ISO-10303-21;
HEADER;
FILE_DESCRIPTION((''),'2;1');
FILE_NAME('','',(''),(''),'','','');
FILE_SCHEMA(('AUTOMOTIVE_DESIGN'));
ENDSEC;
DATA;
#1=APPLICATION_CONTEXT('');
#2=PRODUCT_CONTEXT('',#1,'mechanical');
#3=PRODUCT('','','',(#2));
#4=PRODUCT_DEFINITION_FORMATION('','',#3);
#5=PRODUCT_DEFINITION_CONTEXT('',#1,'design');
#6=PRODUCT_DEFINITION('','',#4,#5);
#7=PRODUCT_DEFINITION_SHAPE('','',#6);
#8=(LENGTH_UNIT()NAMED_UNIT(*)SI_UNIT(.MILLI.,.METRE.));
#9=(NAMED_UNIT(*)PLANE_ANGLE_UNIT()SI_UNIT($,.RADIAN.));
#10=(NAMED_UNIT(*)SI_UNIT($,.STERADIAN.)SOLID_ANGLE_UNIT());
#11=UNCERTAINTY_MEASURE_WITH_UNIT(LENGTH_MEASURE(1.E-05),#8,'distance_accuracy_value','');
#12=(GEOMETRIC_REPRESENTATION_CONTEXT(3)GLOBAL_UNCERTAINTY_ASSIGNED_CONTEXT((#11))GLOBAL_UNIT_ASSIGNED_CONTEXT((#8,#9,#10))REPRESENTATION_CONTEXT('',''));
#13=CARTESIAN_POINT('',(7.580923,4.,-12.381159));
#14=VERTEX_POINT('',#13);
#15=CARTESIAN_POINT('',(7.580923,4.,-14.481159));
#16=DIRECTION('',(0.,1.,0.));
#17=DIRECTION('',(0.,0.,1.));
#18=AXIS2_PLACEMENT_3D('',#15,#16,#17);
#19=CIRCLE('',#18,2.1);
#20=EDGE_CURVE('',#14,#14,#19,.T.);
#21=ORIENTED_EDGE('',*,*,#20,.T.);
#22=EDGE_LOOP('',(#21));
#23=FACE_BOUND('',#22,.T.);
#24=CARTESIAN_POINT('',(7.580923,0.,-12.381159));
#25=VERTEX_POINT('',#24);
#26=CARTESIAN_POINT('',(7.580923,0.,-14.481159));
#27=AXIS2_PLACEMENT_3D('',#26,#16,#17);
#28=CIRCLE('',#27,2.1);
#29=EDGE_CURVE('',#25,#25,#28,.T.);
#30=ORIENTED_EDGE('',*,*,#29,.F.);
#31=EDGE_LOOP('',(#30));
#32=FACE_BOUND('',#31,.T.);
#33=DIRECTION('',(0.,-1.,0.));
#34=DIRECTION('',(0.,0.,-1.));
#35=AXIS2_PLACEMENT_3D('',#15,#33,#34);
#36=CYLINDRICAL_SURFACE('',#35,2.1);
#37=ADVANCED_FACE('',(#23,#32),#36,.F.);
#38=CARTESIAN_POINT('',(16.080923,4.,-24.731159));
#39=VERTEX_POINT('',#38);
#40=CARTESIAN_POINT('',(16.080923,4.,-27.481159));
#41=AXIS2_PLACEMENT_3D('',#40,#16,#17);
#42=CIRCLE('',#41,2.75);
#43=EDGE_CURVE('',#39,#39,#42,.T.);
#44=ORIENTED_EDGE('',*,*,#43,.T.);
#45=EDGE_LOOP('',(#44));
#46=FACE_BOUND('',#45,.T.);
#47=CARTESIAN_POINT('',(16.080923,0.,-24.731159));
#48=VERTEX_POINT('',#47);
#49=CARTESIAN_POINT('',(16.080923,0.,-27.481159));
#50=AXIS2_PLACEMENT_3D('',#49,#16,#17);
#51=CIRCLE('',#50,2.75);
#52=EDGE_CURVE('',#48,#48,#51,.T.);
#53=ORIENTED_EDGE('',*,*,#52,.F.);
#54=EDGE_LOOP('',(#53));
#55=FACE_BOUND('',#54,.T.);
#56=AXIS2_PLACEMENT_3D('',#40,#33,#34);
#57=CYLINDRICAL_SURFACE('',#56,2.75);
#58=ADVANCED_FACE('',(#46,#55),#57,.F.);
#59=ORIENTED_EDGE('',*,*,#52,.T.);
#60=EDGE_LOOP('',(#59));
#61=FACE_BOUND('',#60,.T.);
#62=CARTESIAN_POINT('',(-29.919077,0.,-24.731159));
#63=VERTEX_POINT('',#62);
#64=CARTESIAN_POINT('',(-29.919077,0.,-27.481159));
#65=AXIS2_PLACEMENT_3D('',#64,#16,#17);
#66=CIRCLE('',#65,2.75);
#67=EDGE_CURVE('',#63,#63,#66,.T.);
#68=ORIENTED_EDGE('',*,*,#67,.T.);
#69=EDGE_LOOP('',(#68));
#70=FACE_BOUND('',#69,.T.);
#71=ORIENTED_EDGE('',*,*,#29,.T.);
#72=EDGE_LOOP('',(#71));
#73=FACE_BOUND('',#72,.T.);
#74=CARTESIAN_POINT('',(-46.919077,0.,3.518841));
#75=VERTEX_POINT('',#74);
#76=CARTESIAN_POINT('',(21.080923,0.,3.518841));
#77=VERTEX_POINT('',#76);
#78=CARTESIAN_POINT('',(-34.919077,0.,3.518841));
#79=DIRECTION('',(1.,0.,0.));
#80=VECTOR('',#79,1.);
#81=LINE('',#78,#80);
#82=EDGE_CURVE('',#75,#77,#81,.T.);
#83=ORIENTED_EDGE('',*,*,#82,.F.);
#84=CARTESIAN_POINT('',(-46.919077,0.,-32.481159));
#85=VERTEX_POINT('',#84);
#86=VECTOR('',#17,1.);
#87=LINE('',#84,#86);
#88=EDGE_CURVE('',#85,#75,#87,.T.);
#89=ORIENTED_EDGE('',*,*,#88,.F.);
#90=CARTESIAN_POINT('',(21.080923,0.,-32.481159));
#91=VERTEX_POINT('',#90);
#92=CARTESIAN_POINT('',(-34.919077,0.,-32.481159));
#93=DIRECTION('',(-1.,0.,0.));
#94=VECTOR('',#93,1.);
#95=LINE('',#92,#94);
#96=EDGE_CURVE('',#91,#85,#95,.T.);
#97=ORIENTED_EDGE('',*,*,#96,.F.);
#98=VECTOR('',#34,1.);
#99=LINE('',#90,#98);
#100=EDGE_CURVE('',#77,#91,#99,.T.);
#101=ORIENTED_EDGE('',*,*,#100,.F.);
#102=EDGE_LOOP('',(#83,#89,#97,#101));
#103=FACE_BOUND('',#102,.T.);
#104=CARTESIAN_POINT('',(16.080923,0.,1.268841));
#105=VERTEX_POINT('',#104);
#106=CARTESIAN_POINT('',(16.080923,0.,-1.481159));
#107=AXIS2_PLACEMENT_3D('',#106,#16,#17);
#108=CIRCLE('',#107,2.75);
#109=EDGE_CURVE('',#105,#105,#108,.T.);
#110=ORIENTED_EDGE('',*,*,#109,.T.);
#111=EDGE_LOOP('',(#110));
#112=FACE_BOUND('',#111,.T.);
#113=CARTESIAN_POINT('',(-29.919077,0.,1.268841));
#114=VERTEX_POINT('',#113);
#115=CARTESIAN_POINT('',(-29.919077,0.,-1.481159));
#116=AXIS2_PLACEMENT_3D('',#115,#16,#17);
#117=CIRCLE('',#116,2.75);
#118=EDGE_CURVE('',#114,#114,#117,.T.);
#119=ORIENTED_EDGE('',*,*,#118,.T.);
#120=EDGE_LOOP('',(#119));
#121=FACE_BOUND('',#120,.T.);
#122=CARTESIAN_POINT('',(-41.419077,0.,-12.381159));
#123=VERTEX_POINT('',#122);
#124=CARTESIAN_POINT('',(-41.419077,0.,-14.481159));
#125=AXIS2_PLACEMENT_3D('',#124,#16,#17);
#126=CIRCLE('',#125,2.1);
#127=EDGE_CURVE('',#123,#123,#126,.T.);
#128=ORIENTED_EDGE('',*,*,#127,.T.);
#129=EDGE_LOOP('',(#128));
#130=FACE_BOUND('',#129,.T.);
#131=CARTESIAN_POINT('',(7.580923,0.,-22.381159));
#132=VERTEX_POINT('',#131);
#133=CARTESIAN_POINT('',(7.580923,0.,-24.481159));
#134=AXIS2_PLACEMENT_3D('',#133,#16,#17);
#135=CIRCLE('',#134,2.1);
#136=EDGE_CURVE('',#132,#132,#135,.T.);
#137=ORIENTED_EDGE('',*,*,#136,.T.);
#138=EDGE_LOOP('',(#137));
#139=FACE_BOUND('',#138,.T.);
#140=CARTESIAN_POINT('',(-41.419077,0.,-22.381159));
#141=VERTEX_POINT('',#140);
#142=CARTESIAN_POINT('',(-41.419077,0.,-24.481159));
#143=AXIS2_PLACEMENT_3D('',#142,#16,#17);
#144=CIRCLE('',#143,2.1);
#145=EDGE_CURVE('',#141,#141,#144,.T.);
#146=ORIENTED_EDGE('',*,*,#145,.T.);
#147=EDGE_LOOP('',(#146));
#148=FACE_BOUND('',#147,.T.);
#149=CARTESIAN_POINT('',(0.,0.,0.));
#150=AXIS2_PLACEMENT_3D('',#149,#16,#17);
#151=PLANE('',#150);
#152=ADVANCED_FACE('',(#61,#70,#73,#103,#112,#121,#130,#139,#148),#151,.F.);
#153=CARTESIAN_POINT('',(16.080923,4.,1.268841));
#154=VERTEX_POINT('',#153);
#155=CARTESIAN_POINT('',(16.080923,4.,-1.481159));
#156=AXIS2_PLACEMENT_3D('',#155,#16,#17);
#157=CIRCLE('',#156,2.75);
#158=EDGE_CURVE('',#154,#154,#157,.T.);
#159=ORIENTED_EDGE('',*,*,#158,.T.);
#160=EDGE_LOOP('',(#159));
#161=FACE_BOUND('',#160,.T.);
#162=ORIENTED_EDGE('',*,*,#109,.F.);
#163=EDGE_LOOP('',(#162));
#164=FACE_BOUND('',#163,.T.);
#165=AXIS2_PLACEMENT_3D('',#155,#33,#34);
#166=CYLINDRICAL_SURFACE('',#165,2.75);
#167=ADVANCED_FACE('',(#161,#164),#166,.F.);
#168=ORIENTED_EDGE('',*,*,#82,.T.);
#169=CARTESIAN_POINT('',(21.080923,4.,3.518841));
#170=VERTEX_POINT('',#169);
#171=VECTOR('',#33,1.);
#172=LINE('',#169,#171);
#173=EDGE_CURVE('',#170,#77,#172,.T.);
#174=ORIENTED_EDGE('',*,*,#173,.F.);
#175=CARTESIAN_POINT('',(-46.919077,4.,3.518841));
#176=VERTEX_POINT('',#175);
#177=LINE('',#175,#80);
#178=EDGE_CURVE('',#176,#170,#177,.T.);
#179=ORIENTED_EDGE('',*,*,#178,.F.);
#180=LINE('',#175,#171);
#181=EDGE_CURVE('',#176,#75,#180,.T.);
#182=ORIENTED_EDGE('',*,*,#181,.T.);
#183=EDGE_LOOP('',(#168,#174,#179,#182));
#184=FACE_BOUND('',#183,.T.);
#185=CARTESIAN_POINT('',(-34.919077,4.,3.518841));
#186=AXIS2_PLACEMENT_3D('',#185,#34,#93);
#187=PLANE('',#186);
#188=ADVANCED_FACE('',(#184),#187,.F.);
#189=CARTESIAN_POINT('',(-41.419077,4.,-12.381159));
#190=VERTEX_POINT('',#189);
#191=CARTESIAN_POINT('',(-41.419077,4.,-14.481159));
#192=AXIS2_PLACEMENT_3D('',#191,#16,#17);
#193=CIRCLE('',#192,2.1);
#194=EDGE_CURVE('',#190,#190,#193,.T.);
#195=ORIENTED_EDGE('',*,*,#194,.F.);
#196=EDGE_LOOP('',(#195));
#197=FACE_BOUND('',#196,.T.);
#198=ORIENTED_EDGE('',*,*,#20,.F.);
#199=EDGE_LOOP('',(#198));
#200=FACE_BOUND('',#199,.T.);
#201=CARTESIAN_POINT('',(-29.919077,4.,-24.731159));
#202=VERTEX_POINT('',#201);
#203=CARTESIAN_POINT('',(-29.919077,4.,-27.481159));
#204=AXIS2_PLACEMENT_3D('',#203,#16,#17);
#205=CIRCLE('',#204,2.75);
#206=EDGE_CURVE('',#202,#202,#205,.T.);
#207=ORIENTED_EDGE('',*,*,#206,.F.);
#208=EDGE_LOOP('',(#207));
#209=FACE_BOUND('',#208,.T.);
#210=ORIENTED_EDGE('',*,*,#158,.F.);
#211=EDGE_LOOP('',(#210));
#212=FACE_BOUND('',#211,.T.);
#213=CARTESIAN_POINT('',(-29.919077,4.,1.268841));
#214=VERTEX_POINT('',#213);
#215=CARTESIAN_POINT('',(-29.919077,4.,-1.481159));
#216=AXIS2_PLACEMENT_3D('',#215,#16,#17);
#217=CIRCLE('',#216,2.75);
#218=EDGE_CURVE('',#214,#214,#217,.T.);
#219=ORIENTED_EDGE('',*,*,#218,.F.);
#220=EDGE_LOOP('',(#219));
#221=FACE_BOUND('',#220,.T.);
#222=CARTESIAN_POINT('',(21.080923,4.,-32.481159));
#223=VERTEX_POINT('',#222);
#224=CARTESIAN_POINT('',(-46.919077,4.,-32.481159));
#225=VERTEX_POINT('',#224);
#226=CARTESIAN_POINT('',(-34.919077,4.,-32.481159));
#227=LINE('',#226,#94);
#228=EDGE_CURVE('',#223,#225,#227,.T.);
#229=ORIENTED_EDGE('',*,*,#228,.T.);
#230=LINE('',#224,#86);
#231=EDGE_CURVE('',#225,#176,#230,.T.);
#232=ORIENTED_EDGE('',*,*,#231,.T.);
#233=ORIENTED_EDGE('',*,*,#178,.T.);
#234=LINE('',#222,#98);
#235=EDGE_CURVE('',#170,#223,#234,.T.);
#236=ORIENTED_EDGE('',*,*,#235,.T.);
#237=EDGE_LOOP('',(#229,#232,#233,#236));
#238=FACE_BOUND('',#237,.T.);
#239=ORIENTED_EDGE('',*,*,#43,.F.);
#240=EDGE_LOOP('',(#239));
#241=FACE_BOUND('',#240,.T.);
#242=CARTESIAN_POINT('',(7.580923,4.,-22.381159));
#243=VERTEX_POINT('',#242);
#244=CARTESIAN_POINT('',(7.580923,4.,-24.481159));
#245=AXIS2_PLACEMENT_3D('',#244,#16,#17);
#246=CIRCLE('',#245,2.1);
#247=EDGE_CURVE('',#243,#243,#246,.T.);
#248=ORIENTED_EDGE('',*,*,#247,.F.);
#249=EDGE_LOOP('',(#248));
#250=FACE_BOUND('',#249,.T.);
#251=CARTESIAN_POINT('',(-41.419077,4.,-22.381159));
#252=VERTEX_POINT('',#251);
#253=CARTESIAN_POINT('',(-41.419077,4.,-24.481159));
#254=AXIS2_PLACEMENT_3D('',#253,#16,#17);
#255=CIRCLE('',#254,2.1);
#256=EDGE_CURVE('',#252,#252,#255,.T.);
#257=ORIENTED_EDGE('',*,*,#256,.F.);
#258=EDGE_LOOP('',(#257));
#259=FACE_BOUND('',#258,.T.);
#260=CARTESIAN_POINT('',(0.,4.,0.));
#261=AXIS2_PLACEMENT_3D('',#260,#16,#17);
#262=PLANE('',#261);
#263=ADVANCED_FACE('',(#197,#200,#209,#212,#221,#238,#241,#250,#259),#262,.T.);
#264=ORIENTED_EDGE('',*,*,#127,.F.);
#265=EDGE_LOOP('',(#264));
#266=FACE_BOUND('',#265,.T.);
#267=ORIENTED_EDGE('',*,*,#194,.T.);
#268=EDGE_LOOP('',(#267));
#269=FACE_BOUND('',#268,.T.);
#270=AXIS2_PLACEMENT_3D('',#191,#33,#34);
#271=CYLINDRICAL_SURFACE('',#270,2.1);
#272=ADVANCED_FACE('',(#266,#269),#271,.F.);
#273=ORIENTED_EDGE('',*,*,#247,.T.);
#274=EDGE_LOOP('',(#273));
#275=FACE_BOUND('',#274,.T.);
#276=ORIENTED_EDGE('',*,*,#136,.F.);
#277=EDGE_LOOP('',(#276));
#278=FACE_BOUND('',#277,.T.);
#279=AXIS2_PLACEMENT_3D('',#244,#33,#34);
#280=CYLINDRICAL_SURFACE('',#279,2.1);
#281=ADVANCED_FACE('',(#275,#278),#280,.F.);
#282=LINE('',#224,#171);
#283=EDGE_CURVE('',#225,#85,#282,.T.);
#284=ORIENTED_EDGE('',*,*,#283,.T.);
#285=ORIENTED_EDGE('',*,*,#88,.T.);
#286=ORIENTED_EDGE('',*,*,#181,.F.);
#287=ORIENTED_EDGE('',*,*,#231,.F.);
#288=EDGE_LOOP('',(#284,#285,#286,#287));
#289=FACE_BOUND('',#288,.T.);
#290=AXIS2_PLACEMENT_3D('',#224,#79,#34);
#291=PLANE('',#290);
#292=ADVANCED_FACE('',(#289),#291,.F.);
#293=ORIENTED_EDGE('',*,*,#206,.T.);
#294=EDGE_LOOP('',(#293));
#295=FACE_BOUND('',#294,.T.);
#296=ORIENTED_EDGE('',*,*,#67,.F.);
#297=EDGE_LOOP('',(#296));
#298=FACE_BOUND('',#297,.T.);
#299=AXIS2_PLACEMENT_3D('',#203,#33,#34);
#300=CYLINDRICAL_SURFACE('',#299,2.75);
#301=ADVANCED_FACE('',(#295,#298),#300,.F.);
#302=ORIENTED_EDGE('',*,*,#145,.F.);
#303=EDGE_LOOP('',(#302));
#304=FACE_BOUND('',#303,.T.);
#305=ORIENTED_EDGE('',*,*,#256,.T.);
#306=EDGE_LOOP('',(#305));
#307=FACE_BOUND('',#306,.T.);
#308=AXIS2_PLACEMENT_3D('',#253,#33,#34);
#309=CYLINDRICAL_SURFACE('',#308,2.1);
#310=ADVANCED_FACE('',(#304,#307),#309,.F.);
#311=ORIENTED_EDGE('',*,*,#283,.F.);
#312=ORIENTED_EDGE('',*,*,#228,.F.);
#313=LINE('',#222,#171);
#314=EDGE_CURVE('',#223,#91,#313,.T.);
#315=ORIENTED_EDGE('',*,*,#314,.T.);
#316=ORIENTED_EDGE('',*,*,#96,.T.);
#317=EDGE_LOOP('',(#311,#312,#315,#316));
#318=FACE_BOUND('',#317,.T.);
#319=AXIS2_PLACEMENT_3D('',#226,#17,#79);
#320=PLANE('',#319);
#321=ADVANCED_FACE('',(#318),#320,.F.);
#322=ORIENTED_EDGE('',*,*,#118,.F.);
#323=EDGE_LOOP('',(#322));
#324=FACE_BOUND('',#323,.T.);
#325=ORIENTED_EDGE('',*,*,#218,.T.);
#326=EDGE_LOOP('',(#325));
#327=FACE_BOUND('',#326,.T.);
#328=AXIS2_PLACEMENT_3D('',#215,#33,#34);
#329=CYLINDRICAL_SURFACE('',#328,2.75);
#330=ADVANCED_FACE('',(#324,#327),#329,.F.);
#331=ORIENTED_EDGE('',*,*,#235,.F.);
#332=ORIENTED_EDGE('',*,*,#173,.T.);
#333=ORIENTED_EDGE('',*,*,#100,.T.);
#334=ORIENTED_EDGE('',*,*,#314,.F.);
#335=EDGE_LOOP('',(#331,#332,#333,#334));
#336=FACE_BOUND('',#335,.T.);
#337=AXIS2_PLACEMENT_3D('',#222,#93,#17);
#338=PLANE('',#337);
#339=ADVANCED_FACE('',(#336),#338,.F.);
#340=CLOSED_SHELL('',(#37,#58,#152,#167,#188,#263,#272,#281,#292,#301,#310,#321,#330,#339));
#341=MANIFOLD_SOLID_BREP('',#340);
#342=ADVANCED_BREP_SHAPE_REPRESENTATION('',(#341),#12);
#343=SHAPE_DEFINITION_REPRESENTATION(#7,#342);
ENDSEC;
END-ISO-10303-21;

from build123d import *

# Parameters (mm, degrees)
SKETCH_1_R      = 2.75
SKETCH_1_R_2    = 2.1
EXTRUDE_1_DEPTH = 4


with BuildPart() as part:
    # 草图1 → 凸台-拉伸1 (new body)
    with BuildSketch(Plane(origin=(0, 0, 0), x_dir=(1, 0, 0), z_dir=(0, 1, 0))):
        Polygon((-34.919077445, 32.481158859), (21.080922555, 32.481158859), (21.080922555, -3.518841141), (-34.919077445, -3.518841141), (-46.919077445, -3.518841141), (-46.919077445, 32.481158859), align=None)
        with Locations((-29.919077445, 27.481158859)):
            Circle(SKETCH_1_R, mode=Mode.SUBTRACT)
        with Locations((16.080922555, 27.481158859)):
            Circle(SKETCH_1_R, mode=Mode.SUBTRACT)
        with Locations((-29.919077445, 1.481158859)):
            Circle(SKETCH_1_R, mode=Mode.SUBTRACT)
        with Locations((16.080922555, 1.481158859)):
            Circle(SKETCH_1_R, mode=Mode.SUBTRACT)
        with Locations((7.580922555, 14.481158859)):
            Circle(SKETCH_1_R_2, mode=Mode.SUBTRACT)
        with Locations((7.580922555, 24.481158859)):
            Circle(SKETCH_1_R_2, mode=Mode.SUBTRACT)
        with Locations((-41.419077445, 24.481158859)):
            Circle(SKETCH_1_R_2, mode=Mode.SUBTRACT)
        with Locations((-41.419077445, 14.481158859)):
            Circle(SKETCH_1_R_2, mode=Mode.SUBTRACT)
    extrude(amount=EXTRUDE_1_DEPTH)


solid = part.part
